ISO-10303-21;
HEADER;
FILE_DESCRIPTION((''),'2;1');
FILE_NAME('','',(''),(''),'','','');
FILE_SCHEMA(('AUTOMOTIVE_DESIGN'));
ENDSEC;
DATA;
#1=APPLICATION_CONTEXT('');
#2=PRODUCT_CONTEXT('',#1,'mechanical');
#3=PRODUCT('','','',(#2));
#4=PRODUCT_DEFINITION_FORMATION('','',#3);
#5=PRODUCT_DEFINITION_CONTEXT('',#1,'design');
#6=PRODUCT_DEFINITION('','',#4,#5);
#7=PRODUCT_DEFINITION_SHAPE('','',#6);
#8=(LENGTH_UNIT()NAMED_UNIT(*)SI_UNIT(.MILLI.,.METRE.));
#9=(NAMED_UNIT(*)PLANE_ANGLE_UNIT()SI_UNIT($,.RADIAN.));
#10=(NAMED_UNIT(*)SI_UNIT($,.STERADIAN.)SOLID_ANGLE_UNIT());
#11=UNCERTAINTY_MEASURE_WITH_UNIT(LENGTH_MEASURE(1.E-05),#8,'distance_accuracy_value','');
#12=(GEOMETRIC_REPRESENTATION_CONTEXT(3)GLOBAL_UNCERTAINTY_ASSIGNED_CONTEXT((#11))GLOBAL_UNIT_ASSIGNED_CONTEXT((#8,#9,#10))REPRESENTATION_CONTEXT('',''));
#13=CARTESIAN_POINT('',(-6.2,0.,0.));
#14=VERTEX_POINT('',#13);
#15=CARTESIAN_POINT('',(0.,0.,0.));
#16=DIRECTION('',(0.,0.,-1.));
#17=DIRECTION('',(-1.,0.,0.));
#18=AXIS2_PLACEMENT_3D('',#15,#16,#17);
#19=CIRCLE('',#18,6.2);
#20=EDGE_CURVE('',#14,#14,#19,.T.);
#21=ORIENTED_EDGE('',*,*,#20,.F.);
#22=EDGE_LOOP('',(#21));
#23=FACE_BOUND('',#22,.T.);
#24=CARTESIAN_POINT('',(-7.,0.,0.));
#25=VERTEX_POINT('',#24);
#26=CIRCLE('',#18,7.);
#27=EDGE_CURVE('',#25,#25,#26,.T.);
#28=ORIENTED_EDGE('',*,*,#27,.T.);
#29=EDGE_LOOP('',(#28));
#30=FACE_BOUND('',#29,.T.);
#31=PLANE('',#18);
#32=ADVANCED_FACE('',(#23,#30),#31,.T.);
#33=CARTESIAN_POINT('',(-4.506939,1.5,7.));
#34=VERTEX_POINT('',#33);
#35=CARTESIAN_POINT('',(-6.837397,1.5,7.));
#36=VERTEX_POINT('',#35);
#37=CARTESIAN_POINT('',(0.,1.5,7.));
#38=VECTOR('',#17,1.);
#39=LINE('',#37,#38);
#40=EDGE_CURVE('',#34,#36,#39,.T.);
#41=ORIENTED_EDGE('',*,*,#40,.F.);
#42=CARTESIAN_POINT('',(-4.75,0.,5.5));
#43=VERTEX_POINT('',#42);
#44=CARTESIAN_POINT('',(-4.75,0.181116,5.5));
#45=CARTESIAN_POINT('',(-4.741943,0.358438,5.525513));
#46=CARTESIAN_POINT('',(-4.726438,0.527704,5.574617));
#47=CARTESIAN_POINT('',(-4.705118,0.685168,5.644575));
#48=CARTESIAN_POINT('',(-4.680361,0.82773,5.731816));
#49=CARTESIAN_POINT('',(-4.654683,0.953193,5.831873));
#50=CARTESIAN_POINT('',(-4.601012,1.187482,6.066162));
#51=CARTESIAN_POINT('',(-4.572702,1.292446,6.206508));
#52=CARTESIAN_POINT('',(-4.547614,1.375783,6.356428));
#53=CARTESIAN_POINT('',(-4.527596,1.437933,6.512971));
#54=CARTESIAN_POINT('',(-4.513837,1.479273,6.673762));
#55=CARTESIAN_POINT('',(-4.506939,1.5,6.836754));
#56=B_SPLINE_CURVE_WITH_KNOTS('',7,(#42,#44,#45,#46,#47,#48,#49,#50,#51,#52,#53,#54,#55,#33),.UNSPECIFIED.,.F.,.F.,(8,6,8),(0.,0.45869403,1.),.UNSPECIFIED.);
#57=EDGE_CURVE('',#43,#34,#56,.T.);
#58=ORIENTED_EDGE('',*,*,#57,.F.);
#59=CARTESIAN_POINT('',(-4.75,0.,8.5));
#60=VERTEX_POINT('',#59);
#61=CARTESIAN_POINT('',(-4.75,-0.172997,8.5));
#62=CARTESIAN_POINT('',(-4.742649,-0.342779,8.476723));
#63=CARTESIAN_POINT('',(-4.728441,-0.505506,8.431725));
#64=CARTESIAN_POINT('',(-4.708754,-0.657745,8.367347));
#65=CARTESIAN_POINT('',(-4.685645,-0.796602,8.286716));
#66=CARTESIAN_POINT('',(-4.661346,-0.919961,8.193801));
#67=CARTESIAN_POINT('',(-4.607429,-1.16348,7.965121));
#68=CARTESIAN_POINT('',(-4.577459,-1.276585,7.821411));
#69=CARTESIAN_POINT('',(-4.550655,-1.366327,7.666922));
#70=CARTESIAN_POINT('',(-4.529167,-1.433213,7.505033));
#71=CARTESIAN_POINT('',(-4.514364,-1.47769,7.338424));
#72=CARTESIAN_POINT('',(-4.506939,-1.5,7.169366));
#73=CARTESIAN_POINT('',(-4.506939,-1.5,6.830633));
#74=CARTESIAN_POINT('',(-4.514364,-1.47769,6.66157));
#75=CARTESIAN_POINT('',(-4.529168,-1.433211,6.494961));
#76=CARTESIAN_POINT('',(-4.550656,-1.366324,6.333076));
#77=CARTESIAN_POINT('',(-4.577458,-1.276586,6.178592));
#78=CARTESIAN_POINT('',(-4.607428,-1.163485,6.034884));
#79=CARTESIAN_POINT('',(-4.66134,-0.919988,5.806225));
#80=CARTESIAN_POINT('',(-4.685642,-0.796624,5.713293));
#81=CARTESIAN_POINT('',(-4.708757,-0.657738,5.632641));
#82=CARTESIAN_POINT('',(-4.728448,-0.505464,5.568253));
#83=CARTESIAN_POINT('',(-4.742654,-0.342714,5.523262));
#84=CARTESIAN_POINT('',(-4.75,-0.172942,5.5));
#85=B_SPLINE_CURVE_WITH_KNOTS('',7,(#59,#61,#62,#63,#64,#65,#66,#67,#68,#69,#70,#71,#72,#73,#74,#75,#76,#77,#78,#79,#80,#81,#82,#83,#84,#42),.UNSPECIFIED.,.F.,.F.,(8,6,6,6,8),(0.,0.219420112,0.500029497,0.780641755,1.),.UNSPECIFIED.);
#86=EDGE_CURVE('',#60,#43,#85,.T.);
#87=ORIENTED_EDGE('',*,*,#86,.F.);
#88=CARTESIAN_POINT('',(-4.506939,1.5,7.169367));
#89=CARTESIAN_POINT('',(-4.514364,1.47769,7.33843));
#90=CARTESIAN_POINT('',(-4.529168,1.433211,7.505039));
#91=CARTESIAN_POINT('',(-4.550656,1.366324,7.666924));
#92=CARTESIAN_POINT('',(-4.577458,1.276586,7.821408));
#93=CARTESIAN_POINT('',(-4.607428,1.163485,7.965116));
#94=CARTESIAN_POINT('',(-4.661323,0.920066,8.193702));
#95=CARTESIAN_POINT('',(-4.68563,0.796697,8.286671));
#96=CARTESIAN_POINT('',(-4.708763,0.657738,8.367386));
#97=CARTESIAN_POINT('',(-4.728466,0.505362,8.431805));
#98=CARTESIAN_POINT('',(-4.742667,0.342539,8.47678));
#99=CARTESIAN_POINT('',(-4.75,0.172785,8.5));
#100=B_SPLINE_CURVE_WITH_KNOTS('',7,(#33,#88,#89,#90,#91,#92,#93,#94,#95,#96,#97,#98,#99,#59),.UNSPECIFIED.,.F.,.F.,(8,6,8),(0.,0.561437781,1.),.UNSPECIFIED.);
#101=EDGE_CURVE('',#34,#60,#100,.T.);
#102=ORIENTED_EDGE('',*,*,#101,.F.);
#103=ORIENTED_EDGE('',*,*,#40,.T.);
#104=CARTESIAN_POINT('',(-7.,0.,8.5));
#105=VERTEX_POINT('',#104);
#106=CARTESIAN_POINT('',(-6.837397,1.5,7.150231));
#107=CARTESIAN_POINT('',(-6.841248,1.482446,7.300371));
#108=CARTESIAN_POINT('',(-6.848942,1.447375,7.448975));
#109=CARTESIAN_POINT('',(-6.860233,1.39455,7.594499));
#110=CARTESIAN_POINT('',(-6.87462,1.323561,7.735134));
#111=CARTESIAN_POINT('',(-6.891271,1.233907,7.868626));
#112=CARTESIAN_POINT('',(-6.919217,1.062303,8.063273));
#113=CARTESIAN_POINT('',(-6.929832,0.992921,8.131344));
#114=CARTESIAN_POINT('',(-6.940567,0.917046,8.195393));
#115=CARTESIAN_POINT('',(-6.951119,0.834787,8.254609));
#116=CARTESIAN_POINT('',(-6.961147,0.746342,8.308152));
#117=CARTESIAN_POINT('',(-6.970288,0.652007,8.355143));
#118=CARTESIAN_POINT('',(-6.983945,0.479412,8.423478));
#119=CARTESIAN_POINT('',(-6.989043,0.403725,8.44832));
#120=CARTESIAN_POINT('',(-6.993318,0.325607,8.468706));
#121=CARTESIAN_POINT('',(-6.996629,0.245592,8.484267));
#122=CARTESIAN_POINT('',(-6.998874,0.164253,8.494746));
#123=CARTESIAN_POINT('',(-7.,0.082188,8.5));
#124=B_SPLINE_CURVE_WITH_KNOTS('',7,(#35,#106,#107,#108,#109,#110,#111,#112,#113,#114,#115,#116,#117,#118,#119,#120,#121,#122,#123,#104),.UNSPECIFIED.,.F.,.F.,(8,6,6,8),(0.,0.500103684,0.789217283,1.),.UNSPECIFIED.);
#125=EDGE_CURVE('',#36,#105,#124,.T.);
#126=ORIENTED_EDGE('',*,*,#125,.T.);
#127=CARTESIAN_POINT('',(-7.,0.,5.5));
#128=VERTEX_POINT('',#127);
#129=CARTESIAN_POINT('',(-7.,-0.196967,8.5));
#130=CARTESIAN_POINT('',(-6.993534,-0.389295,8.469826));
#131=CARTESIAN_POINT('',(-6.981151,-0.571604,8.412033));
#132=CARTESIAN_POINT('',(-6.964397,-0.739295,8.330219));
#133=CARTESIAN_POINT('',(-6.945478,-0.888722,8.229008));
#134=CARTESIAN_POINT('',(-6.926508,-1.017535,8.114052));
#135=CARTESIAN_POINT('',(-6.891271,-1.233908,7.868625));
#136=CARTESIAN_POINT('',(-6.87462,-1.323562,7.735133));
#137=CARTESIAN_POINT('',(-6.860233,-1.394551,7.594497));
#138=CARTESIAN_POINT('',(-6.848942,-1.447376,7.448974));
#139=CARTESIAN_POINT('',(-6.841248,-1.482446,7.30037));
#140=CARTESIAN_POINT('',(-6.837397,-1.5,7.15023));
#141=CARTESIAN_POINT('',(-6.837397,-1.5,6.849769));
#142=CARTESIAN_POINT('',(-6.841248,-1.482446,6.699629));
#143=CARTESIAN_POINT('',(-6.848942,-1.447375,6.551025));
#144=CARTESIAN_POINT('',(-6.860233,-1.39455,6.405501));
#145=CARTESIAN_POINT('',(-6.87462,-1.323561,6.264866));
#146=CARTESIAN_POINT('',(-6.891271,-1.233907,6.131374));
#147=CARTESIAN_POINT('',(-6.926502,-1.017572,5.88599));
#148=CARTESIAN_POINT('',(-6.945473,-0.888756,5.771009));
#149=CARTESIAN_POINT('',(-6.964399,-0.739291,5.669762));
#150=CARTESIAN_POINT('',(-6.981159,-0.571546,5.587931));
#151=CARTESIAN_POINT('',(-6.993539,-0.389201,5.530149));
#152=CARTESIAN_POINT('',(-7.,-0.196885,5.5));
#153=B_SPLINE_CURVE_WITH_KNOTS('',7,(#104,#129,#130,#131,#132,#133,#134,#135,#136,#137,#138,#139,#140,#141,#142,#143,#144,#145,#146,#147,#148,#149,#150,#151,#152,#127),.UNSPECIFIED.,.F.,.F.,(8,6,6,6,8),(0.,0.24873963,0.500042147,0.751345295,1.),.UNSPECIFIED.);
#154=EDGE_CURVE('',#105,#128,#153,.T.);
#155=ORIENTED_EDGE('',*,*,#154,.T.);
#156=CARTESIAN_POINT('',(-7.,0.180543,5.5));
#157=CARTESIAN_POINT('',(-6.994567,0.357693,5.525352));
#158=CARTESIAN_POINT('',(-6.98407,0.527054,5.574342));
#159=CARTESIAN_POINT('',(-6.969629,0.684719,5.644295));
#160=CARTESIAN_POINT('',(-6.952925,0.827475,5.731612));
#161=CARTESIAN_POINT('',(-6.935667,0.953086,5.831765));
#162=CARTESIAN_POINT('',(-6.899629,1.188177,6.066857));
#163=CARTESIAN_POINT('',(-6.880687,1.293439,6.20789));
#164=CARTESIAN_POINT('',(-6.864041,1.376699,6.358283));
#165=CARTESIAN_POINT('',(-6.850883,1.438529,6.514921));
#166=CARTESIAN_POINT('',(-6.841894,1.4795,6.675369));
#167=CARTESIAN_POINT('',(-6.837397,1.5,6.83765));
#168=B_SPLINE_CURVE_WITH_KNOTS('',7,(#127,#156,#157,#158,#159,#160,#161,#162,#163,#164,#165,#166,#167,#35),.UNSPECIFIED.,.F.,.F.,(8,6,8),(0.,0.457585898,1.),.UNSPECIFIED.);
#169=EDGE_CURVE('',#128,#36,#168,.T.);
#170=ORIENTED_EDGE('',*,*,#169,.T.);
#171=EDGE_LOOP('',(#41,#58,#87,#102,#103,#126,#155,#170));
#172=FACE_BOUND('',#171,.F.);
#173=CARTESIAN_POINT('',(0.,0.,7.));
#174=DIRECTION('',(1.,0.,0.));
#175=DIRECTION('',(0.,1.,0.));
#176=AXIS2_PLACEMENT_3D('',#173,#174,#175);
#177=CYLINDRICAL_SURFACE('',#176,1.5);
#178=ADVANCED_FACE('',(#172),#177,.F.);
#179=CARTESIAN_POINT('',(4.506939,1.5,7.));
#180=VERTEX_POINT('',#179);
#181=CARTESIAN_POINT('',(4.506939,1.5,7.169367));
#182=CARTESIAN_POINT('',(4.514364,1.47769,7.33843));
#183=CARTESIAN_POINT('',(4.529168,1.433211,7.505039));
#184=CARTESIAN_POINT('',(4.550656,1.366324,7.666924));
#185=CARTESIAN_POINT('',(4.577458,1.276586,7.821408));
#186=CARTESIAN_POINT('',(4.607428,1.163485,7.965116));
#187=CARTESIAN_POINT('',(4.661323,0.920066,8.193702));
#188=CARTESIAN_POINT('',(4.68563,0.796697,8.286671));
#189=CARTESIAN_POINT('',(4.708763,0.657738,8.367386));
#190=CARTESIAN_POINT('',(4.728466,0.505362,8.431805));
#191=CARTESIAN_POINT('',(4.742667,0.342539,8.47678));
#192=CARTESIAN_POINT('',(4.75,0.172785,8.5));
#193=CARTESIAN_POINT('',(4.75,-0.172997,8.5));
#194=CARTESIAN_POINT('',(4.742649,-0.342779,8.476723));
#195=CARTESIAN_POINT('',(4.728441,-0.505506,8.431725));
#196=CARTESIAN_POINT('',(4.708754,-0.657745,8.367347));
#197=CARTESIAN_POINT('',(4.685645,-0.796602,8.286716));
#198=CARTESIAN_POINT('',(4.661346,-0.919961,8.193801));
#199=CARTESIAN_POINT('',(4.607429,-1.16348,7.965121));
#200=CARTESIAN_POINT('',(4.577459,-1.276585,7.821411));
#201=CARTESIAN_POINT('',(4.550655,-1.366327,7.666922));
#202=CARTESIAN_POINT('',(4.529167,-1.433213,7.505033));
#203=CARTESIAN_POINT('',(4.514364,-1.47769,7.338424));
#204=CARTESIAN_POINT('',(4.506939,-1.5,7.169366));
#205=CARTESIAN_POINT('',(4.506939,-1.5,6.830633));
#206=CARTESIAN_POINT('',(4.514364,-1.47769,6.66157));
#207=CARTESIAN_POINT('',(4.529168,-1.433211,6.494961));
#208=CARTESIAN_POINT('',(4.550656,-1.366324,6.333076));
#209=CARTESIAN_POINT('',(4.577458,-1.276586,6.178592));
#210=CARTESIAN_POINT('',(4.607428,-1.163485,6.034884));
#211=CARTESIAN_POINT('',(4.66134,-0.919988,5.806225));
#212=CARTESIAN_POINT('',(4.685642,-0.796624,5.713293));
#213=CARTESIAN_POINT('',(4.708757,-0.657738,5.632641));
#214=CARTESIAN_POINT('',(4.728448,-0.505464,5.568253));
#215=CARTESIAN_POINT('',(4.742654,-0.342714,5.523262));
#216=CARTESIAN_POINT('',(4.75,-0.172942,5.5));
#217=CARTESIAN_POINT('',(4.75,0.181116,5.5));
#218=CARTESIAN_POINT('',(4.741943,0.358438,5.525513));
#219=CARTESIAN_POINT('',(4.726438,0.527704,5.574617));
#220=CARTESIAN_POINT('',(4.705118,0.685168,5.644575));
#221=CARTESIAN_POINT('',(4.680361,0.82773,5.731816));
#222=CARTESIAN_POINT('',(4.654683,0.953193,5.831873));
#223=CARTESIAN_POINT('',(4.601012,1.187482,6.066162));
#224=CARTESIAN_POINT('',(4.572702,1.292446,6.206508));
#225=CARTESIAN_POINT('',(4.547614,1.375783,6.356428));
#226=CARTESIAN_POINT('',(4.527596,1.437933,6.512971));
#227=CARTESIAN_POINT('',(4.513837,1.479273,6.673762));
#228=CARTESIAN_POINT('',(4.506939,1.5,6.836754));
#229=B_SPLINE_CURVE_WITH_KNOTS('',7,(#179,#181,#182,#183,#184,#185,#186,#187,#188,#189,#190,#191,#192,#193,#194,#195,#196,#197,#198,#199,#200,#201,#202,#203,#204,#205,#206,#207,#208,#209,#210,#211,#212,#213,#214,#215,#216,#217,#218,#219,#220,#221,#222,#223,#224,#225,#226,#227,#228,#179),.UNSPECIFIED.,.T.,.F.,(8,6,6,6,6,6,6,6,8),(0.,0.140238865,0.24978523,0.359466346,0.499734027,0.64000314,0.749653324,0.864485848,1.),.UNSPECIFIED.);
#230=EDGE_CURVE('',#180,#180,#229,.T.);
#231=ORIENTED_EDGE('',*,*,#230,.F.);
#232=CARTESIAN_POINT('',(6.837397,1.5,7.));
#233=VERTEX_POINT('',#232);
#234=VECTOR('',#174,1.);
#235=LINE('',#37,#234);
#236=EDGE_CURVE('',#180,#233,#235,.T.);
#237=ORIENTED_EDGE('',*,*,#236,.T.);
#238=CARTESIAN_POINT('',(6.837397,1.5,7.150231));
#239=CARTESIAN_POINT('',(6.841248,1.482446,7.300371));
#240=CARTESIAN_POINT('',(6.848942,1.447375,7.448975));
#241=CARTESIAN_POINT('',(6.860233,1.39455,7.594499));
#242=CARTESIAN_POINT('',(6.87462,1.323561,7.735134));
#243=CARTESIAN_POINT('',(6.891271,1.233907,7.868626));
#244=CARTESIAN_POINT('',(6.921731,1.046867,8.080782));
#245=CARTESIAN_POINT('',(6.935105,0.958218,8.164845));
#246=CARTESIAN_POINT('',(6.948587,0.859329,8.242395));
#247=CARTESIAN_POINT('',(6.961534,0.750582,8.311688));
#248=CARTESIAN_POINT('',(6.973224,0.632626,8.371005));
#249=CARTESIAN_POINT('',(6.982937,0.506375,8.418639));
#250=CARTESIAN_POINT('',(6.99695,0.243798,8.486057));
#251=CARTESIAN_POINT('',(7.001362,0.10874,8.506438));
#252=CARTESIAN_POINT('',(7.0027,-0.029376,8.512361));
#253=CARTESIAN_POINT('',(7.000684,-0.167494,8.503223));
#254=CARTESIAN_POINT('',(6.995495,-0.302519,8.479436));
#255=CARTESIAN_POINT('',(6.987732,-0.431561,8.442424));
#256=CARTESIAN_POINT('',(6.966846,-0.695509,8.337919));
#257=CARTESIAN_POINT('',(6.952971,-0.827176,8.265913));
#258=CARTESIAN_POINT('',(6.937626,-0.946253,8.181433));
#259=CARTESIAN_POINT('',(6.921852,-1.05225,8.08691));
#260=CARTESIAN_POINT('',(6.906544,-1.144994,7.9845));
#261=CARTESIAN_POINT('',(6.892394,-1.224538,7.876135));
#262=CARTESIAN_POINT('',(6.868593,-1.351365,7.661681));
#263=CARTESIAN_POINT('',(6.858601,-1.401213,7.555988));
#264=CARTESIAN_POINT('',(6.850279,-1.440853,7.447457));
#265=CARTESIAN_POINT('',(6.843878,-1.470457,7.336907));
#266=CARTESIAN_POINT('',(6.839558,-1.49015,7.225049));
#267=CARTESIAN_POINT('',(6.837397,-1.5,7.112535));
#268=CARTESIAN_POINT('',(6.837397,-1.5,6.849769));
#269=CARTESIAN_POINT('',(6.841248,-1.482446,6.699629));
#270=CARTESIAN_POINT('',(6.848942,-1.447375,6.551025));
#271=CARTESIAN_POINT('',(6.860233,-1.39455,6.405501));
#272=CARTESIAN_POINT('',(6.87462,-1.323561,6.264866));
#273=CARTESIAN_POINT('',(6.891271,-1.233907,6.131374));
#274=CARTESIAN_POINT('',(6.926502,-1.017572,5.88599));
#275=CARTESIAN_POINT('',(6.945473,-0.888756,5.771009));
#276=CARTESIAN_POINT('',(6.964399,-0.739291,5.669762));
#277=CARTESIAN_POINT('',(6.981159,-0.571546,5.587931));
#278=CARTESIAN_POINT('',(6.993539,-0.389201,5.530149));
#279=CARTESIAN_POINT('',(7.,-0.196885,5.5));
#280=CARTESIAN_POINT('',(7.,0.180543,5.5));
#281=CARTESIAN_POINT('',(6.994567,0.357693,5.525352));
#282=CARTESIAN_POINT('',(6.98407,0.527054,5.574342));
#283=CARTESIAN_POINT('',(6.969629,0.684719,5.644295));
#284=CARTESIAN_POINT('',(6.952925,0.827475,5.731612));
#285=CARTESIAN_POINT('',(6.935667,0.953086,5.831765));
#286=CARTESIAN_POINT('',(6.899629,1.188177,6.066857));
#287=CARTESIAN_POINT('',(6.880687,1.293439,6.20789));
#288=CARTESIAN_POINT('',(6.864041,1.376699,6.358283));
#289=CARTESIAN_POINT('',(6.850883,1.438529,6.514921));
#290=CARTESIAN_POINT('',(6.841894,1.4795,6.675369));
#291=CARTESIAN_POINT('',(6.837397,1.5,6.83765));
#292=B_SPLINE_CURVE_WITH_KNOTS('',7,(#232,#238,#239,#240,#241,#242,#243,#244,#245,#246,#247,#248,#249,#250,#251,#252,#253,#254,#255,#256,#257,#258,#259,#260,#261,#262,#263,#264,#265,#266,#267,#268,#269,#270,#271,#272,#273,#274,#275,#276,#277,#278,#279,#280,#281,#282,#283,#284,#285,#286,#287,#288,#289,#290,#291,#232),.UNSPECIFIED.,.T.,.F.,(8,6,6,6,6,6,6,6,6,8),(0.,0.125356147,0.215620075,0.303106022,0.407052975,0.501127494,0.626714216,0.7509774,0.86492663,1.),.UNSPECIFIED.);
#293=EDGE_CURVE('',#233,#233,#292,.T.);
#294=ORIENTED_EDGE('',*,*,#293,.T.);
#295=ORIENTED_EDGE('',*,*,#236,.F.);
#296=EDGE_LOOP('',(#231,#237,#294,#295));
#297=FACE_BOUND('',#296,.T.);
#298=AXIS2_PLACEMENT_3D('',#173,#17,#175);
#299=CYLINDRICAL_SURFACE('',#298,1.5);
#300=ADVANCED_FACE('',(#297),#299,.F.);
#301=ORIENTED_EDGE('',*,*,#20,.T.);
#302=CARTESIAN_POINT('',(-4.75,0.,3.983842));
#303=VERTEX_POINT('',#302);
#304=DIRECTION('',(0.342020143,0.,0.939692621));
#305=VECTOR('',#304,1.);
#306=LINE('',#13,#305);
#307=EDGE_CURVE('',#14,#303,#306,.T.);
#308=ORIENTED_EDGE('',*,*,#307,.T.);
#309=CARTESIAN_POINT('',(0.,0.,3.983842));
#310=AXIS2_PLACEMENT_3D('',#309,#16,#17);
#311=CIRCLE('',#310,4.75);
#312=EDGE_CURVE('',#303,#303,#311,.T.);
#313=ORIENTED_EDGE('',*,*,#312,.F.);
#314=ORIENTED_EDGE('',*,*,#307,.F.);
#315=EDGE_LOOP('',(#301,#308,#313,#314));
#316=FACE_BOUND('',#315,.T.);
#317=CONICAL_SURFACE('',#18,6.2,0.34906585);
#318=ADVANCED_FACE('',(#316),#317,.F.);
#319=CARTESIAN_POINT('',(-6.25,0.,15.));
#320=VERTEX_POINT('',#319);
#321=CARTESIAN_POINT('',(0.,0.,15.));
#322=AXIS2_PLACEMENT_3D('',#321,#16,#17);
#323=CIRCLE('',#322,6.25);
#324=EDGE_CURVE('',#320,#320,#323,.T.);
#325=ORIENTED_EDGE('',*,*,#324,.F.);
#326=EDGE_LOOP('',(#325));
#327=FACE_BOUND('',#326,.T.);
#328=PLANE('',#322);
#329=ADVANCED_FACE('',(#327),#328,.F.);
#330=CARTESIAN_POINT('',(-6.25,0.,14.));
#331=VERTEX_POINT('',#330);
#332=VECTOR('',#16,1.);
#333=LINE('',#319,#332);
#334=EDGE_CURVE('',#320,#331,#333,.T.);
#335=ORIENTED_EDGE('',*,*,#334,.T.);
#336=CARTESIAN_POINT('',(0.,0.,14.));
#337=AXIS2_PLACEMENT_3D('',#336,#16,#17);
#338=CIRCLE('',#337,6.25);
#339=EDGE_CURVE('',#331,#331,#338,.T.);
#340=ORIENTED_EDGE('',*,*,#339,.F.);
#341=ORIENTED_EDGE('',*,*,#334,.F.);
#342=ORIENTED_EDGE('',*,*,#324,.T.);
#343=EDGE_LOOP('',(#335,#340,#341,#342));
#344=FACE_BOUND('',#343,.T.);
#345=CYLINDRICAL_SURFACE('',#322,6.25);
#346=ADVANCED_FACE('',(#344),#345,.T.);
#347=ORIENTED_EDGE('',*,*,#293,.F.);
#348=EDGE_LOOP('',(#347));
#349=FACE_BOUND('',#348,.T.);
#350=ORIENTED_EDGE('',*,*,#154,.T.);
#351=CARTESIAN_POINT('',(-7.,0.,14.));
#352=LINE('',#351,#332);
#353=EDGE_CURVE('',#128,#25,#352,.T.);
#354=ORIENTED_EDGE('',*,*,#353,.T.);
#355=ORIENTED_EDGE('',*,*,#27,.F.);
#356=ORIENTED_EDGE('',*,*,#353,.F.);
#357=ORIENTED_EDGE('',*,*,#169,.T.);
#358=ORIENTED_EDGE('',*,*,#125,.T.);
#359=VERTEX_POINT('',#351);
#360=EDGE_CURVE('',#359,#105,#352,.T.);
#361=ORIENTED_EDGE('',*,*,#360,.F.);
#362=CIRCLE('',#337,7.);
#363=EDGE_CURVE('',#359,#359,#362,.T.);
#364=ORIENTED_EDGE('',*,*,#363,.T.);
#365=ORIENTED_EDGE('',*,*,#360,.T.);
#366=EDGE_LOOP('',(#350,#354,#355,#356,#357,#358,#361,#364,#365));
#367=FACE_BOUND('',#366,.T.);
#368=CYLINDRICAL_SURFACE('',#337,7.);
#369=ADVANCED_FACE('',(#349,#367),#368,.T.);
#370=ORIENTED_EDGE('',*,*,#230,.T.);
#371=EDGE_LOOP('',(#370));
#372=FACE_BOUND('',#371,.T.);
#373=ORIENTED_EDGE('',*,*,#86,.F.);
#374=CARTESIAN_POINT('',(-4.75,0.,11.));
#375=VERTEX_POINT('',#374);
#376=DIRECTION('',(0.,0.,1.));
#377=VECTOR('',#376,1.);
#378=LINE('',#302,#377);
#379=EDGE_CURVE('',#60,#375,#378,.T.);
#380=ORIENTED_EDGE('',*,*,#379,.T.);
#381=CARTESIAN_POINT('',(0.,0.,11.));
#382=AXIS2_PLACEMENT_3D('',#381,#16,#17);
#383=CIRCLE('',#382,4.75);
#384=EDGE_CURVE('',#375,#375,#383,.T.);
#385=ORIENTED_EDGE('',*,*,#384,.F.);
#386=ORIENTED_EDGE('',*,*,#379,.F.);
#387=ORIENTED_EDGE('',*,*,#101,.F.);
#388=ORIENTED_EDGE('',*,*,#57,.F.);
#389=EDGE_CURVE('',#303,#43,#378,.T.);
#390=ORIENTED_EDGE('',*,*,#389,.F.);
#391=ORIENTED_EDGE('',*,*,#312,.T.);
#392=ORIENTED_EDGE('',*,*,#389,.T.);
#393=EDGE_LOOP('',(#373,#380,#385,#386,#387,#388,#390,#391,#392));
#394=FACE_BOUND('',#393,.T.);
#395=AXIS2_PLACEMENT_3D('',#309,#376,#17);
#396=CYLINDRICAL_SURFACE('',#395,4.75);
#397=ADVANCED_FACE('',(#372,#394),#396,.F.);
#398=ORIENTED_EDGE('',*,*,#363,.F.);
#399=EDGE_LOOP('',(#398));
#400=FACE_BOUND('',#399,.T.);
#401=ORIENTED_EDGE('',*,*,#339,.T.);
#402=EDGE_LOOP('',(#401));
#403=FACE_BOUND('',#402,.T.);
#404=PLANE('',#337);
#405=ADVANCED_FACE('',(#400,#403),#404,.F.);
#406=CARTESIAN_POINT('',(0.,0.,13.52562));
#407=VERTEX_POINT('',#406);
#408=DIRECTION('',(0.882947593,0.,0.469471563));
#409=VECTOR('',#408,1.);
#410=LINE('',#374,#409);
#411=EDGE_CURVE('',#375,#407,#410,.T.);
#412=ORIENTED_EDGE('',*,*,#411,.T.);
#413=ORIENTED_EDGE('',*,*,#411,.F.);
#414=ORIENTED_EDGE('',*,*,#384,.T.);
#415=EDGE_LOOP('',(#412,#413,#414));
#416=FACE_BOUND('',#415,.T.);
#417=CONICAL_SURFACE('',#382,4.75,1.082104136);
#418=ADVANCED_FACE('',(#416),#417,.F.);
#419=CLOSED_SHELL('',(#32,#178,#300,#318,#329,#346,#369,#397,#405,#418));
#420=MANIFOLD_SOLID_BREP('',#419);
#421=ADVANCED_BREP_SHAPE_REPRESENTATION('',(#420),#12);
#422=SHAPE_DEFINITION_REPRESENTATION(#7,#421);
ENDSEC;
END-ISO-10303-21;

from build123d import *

# Parameters (mm, degrees)
F2_R          = 1.5
F3_DEPTH      = 7.001
F3_DEPTH_BACK = 7.001


with BuildPart() as f1:
    # F0 (on Front) → F1 (revolve)
    with BuildSketch(Plane.XZ):
        Polygon((-7, 14), (-7, 0), (-6.2, 0), (-4.75, 3.9838422582), (-4.75, 11), (0, 13.5256198004), (0, 15), (-6.25, 15), (-6.25, 14), align=None)
    revolve(axis=Axis((0, 0, 14.2628099002), (0, 0, -1)))

    # F2 (on Right) → F3 (cut, two sides)
    with BuildSketch(Plane.YZ) as f3_sk:
        with Locations((0, 7)):
            Circle(F2_R)
    extrude(amount=-F3_DEPTH, mode=Mode.SUBTRACT)
    extrude(f3_sk.sketch, amount=F3_DEPTH_BACK, mode=Mode.SUBTRACT)


solid = f1.part
